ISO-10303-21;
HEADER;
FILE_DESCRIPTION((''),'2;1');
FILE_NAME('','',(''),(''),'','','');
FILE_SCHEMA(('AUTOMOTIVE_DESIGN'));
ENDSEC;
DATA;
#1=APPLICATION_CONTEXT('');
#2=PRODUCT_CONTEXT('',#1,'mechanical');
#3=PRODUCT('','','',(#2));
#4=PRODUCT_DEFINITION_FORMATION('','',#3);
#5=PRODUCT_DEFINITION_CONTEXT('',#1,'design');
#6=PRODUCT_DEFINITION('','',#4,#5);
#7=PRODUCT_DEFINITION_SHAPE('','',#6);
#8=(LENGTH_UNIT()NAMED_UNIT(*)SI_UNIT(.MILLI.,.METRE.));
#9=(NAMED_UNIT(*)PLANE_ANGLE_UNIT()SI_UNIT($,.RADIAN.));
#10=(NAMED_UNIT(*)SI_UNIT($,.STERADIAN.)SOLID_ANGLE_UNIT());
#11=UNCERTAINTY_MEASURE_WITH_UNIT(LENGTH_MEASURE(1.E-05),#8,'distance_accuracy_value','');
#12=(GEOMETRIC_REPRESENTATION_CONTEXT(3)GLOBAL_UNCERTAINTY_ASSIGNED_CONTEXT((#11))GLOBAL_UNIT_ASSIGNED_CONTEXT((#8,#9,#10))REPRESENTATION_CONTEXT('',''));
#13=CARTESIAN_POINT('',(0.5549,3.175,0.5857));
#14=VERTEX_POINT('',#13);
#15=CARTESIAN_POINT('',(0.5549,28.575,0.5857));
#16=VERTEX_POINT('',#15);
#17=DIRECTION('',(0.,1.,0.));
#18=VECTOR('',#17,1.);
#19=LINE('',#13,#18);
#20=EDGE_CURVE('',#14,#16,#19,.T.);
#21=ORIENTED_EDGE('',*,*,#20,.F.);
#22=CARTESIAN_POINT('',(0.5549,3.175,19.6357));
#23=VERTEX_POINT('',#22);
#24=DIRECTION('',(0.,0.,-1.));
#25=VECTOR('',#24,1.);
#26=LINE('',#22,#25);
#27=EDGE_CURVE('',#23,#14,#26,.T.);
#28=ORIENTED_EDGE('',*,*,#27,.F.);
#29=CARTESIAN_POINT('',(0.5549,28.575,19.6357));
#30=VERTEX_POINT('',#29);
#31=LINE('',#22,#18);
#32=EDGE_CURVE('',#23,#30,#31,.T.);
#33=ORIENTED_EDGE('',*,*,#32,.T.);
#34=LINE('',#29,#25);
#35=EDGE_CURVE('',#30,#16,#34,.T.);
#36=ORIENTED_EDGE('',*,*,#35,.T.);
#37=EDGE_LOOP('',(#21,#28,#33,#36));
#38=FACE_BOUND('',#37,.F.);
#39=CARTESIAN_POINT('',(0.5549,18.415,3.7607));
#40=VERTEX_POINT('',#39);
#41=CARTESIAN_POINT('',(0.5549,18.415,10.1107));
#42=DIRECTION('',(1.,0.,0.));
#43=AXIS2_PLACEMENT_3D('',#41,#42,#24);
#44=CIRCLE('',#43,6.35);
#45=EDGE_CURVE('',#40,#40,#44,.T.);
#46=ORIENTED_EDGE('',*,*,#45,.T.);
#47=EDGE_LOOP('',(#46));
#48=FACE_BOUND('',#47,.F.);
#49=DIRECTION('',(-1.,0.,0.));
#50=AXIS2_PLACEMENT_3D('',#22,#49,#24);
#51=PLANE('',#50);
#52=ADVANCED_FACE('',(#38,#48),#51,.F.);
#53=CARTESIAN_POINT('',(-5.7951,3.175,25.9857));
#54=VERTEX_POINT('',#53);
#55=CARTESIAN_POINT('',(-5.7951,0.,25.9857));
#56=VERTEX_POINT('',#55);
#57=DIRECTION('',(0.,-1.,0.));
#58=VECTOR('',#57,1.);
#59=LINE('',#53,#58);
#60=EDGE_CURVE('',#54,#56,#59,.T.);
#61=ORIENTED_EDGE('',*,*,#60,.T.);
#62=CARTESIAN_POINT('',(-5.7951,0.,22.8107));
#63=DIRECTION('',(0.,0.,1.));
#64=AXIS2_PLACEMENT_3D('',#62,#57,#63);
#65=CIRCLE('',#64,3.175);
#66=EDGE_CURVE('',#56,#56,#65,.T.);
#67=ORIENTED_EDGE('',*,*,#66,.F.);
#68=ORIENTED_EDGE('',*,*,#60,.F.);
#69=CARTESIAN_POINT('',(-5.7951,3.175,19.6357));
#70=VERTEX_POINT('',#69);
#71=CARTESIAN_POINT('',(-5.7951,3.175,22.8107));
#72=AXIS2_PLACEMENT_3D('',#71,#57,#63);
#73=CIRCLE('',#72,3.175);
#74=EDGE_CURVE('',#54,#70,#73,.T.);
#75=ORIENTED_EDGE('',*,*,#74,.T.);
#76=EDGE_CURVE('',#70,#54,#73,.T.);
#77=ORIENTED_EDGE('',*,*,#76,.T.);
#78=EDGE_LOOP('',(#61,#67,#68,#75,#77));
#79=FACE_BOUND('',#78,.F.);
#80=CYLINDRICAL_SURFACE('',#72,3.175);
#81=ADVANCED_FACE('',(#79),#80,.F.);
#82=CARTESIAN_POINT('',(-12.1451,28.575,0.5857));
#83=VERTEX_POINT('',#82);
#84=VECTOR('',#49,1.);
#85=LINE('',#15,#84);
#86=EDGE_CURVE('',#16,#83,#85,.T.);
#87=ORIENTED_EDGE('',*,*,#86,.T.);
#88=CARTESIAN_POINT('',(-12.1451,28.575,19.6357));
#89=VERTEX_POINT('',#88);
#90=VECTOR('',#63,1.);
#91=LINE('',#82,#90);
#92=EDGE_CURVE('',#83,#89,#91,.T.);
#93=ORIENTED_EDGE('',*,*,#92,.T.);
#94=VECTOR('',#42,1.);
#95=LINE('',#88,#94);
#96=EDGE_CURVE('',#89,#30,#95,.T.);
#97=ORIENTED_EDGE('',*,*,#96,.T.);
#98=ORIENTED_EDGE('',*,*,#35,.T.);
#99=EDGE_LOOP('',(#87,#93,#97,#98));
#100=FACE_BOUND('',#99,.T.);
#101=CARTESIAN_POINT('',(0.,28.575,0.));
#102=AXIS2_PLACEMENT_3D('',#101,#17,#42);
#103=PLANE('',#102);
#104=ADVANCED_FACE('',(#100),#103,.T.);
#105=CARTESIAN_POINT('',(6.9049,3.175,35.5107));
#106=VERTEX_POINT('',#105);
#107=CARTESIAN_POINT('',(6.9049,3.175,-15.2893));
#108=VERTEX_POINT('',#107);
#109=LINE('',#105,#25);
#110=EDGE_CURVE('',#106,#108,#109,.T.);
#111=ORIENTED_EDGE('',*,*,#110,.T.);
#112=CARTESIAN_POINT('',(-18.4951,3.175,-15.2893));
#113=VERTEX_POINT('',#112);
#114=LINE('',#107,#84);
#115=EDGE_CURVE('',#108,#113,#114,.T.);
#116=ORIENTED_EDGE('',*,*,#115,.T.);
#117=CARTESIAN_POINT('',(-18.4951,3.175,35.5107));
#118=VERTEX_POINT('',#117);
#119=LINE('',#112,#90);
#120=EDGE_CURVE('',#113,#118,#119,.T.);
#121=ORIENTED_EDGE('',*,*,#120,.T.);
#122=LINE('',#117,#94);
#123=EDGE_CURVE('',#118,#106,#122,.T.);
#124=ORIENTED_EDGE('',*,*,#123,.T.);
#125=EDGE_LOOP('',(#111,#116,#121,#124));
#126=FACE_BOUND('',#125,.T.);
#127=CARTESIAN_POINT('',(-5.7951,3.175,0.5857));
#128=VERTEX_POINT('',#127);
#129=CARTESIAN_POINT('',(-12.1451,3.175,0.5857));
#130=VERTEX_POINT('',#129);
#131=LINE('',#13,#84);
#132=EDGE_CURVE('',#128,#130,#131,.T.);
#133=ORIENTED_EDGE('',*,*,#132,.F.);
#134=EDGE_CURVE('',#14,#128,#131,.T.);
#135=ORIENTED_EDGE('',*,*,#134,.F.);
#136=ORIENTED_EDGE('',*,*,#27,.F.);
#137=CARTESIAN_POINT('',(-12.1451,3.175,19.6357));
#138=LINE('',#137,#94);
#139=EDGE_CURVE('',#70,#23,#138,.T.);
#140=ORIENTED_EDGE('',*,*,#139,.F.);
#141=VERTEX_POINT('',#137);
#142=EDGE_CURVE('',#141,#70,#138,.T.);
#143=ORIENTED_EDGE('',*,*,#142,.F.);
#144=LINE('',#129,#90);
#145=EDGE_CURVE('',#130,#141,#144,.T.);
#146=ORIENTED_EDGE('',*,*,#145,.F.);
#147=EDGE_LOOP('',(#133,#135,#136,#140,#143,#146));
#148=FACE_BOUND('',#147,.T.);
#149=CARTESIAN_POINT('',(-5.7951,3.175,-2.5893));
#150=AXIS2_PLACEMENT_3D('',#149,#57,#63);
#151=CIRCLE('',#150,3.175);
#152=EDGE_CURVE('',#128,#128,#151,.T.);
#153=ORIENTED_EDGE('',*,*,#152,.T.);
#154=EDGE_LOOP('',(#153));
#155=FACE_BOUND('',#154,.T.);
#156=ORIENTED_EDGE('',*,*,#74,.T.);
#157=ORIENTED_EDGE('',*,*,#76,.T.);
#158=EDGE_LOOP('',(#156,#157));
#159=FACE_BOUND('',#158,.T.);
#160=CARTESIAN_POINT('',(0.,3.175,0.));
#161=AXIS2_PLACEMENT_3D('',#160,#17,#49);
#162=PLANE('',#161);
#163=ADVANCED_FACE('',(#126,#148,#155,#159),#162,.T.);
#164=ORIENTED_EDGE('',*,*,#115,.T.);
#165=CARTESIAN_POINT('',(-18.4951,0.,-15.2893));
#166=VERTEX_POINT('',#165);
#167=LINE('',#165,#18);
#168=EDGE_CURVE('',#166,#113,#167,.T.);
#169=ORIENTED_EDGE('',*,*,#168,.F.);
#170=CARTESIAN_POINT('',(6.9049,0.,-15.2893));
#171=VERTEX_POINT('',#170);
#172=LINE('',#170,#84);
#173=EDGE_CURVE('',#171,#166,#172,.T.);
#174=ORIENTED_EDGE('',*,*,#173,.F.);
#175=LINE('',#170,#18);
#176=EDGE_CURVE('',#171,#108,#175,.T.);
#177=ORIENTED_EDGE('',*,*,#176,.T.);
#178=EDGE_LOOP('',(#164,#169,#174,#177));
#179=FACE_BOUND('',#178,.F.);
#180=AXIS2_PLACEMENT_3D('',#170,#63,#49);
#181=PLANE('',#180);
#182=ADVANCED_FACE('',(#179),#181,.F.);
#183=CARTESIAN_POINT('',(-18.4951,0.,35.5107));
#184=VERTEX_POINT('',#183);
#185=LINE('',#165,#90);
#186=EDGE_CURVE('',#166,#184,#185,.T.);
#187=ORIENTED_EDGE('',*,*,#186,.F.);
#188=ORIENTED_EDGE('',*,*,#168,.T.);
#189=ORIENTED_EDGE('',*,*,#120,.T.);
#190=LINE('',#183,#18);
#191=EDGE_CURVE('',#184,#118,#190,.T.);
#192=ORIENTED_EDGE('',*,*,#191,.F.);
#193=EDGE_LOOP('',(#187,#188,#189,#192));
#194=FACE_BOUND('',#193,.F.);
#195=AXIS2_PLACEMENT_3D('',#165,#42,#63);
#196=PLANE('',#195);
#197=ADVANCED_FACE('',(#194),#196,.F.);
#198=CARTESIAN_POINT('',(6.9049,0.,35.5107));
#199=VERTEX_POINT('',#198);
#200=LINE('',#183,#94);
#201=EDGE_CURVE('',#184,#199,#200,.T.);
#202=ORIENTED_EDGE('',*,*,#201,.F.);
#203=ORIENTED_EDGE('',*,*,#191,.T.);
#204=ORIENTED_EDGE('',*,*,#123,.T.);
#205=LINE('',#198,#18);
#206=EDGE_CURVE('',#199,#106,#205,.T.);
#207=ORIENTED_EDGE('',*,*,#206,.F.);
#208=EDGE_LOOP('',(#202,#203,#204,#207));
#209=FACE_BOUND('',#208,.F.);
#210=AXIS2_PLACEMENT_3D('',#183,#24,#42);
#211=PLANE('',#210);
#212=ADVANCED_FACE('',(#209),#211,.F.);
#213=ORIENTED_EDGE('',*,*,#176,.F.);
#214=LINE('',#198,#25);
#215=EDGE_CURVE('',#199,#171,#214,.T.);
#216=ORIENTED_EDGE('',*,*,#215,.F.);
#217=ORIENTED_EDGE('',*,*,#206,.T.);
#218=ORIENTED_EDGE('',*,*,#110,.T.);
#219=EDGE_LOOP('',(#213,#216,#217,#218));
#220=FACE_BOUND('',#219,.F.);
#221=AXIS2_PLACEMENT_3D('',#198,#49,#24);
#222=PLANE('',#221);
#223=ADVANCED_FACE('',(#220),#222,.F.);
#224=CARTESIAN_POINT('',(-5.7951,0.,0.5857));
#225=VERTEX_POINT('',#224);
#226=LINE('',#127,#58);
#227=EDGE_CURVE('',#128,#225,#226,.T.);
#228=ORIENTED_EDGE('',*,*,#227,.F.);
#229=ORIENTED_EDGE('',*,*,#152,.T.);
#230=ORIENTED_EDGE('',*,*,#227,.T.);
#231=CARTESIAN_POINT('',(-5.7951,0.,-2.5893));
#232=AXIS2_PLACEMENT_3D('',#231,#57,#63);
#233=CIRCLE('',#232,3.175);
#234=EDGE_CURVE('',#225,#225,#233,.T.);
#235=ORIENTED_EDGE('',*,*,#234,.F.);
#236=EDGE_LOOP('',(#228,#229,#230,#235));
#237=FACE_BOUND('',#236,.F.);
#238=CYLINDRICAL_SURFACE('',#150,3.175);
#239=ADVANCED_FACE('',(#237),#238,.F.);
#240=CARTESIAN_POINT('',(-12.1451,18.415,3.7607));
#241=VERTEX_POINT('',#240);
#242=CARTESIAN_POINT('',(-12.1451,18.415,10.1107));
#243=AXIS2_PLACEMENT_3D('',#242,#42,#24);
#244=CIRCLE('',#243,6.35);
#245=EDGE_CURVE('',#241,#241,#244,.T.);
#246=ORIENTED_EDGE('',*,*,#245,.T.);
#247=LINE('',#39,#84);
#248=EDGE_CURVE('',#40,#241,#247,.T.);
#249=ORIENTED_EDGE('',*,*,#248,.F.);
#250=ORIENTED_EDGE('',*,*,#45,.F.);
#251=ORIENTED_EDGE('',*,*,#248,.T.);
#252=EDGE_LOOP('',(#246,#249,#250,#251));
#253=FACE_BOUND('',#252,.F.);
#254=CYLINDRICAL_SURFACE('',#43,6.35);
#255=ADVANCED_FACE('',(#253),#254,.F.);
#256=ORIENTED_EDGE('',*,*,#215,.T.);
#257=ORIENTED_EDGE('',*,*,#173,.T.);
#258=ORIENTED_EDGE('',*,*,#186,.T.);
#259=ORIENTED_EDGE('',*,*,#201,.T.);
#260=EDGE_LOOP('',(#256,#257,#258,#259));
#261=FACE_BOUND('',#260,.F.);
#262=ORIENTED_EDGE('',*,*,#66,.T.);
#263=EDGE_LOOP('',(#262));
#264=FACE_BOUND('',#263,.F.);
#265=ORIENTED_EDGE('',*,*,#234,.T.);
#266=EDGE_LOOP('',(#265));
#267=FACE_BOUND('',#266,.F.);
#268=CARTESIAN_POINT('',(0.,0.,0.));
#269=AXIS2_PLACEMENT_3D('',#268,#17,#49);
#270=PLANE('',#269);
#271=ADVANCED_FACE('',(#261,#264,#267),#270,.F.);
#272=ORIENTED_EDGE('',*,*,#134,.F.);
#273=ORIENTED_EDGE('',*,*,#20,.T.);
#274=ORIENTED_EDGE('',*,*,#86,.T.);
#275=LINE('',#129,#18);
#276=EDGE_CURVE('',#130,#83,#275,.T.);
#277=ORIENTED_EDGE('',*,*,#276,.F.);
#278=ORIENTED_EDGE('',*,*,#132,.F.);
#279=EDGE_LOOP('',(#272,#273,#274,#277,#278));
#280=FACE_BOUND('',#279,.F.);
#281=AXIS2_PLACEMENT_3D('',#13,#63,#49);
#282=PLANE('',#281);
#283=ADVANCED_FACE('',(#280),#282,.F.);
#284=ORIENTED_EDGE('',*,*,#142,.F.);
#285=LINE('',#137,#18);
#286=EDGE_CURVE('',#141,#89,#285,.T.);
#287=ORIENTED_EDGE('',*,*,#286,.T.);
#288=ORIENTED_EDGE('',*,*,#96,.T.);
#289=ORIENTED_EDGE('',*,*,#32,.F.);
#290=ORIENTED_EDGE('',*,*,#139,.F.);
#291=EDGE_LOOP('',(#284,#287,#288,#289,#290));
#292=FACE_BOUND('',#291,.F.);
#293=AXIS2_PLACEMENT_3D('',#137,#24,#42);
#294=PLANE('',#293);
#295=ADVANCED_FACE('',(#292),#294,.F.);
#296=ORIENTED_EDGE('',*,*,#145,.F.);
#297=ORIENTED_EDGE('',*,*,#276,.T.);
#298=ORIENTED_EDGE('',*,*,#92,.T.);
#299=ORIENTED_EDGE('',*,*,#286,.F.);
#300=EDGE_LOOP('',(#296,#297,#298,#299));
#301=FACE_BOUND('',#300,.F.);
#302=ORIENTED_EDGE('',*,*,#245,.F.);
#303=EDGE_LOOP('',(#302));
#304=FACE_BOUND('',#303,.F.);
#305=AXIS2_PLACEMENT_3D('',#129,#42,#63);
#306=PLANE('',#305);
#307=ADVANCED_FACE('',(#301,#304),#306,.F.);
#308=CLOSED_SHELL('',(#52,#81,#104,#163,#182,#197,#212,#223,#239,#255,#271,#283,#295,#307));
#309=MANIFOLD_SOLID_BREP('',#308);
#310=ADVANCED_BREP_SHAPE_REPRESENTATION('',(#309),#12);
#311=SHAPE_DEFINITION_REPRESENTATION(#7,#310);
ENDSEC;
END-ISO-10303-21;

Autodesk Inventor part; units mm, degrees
ref_plane "YZ Plane" through (0, 0, 0) normal (1, 0, 0) x (0, 1, 0)
ref_plane "XZ Plane" through (0, 0, 0) normal (0, 1, 0) x (-1, 0, 0)
ref_plane "XY Plane" through (0, 0, 0) normal (0, 0, 1) x (1, 0, 0)
sketch "Sketch1" plane through (0, 0, 0) normal (0, 1, 0) x (-1, 0, 0)
  line L0 (18.4951, 35.5107) -> (-6.9049, 35.5107)
  line L1 (-6.9049, 35.5107) -> (-6.9049, -15.2893)
  line L2 (-6.9049, -15.2893) -> (18.4951, -15.2893)
  line L3 (18.4951, -15.2893) -> (18.4951, 35.5107)
  point P0 (0, 0)
  dimension "d0" = 50.8
  dimension "d1" = 25.4
extrude "Extrusion1" add sketch "Sketch1" along normal blind 3.175
sketch "Sketch2" plane through (0, 3.175, 0) normal (0, 1, 0) x (1, 0, 0)
  line L0 (-18.4951, 15.2893) -> (-18.4951, -35.5107) projected
  line L1 (6.9049, 15.2893) -> (-18.4951, 15.2893) projected
  point P0 (0, 0)
  point P1 (-5.7951, -22.8107)
  point P2 (-5.7951, 2.5893)
  dimension "d4" = 12.7
  dimension "d5" = 12.7
  dimension "d6" = 25.4
  dimension "d7" = 12.7
hole "Hole1" at (-5.7951, 3.175, 22.8107) at (-5.7951, 3.175, -2.5893) direction (0, -1, 0) diameter 6.35 end through all
sketch "Sketch3" plane through (0, 3.175, 0) normal (0, 1, 0) x (1, 0, 0)
  line L0 (-12.1451, -19.6357) -> (0.5549, -19.6357)
  line L1 (0.5549, -19.6357) -> (0.5549, -0.5857)
  line L2 (0.5549, -0.5857) -> (-12.1451, -0.5857)
  line L3 (-12.1451, -0.5857) -> (-12.1451, -19.6357)
  line L4 (-18.4951, 15.2893) -> (-18.4951, -35.5107) projected
  line L5 (6.9049, 15.2893) -> (-18.4951, 15.2893) projected
  line L6 (-18.4951, -35.5107) -> (6.9049, -35.5107) projected
  point P0 (0, 0)
  dimension "d15" = 12.7
  dimension "d16" = 6.35
  dimension "d17" = 15.875
  dimension "d18" = 15.875
extrude "Extrusion2" add sketch "Sketch3" along normal blind 25.4
sketch "Sketch4" plane through (0.5549, 3.175, 19.6357) normal (1, 0, 0) x (0, 0, -1)
  circle A0 centre (9.525, 15.24) radius 6.35
  line L0 (19.05, 0) -> (19.05, 25.4) projected
  line L1 (0, 25.4) -> (19.05, 25.4) projected
  point P0 (19.6357, -3.175)
  dimension "d21" = 9.525
  dimension "d22" = 12.7
  dimension "d23" = 10.16
extrude "Extrusion3" cut sketch "Sketch4" against normal blind 25.4
properties part number "Main Axle notch"
